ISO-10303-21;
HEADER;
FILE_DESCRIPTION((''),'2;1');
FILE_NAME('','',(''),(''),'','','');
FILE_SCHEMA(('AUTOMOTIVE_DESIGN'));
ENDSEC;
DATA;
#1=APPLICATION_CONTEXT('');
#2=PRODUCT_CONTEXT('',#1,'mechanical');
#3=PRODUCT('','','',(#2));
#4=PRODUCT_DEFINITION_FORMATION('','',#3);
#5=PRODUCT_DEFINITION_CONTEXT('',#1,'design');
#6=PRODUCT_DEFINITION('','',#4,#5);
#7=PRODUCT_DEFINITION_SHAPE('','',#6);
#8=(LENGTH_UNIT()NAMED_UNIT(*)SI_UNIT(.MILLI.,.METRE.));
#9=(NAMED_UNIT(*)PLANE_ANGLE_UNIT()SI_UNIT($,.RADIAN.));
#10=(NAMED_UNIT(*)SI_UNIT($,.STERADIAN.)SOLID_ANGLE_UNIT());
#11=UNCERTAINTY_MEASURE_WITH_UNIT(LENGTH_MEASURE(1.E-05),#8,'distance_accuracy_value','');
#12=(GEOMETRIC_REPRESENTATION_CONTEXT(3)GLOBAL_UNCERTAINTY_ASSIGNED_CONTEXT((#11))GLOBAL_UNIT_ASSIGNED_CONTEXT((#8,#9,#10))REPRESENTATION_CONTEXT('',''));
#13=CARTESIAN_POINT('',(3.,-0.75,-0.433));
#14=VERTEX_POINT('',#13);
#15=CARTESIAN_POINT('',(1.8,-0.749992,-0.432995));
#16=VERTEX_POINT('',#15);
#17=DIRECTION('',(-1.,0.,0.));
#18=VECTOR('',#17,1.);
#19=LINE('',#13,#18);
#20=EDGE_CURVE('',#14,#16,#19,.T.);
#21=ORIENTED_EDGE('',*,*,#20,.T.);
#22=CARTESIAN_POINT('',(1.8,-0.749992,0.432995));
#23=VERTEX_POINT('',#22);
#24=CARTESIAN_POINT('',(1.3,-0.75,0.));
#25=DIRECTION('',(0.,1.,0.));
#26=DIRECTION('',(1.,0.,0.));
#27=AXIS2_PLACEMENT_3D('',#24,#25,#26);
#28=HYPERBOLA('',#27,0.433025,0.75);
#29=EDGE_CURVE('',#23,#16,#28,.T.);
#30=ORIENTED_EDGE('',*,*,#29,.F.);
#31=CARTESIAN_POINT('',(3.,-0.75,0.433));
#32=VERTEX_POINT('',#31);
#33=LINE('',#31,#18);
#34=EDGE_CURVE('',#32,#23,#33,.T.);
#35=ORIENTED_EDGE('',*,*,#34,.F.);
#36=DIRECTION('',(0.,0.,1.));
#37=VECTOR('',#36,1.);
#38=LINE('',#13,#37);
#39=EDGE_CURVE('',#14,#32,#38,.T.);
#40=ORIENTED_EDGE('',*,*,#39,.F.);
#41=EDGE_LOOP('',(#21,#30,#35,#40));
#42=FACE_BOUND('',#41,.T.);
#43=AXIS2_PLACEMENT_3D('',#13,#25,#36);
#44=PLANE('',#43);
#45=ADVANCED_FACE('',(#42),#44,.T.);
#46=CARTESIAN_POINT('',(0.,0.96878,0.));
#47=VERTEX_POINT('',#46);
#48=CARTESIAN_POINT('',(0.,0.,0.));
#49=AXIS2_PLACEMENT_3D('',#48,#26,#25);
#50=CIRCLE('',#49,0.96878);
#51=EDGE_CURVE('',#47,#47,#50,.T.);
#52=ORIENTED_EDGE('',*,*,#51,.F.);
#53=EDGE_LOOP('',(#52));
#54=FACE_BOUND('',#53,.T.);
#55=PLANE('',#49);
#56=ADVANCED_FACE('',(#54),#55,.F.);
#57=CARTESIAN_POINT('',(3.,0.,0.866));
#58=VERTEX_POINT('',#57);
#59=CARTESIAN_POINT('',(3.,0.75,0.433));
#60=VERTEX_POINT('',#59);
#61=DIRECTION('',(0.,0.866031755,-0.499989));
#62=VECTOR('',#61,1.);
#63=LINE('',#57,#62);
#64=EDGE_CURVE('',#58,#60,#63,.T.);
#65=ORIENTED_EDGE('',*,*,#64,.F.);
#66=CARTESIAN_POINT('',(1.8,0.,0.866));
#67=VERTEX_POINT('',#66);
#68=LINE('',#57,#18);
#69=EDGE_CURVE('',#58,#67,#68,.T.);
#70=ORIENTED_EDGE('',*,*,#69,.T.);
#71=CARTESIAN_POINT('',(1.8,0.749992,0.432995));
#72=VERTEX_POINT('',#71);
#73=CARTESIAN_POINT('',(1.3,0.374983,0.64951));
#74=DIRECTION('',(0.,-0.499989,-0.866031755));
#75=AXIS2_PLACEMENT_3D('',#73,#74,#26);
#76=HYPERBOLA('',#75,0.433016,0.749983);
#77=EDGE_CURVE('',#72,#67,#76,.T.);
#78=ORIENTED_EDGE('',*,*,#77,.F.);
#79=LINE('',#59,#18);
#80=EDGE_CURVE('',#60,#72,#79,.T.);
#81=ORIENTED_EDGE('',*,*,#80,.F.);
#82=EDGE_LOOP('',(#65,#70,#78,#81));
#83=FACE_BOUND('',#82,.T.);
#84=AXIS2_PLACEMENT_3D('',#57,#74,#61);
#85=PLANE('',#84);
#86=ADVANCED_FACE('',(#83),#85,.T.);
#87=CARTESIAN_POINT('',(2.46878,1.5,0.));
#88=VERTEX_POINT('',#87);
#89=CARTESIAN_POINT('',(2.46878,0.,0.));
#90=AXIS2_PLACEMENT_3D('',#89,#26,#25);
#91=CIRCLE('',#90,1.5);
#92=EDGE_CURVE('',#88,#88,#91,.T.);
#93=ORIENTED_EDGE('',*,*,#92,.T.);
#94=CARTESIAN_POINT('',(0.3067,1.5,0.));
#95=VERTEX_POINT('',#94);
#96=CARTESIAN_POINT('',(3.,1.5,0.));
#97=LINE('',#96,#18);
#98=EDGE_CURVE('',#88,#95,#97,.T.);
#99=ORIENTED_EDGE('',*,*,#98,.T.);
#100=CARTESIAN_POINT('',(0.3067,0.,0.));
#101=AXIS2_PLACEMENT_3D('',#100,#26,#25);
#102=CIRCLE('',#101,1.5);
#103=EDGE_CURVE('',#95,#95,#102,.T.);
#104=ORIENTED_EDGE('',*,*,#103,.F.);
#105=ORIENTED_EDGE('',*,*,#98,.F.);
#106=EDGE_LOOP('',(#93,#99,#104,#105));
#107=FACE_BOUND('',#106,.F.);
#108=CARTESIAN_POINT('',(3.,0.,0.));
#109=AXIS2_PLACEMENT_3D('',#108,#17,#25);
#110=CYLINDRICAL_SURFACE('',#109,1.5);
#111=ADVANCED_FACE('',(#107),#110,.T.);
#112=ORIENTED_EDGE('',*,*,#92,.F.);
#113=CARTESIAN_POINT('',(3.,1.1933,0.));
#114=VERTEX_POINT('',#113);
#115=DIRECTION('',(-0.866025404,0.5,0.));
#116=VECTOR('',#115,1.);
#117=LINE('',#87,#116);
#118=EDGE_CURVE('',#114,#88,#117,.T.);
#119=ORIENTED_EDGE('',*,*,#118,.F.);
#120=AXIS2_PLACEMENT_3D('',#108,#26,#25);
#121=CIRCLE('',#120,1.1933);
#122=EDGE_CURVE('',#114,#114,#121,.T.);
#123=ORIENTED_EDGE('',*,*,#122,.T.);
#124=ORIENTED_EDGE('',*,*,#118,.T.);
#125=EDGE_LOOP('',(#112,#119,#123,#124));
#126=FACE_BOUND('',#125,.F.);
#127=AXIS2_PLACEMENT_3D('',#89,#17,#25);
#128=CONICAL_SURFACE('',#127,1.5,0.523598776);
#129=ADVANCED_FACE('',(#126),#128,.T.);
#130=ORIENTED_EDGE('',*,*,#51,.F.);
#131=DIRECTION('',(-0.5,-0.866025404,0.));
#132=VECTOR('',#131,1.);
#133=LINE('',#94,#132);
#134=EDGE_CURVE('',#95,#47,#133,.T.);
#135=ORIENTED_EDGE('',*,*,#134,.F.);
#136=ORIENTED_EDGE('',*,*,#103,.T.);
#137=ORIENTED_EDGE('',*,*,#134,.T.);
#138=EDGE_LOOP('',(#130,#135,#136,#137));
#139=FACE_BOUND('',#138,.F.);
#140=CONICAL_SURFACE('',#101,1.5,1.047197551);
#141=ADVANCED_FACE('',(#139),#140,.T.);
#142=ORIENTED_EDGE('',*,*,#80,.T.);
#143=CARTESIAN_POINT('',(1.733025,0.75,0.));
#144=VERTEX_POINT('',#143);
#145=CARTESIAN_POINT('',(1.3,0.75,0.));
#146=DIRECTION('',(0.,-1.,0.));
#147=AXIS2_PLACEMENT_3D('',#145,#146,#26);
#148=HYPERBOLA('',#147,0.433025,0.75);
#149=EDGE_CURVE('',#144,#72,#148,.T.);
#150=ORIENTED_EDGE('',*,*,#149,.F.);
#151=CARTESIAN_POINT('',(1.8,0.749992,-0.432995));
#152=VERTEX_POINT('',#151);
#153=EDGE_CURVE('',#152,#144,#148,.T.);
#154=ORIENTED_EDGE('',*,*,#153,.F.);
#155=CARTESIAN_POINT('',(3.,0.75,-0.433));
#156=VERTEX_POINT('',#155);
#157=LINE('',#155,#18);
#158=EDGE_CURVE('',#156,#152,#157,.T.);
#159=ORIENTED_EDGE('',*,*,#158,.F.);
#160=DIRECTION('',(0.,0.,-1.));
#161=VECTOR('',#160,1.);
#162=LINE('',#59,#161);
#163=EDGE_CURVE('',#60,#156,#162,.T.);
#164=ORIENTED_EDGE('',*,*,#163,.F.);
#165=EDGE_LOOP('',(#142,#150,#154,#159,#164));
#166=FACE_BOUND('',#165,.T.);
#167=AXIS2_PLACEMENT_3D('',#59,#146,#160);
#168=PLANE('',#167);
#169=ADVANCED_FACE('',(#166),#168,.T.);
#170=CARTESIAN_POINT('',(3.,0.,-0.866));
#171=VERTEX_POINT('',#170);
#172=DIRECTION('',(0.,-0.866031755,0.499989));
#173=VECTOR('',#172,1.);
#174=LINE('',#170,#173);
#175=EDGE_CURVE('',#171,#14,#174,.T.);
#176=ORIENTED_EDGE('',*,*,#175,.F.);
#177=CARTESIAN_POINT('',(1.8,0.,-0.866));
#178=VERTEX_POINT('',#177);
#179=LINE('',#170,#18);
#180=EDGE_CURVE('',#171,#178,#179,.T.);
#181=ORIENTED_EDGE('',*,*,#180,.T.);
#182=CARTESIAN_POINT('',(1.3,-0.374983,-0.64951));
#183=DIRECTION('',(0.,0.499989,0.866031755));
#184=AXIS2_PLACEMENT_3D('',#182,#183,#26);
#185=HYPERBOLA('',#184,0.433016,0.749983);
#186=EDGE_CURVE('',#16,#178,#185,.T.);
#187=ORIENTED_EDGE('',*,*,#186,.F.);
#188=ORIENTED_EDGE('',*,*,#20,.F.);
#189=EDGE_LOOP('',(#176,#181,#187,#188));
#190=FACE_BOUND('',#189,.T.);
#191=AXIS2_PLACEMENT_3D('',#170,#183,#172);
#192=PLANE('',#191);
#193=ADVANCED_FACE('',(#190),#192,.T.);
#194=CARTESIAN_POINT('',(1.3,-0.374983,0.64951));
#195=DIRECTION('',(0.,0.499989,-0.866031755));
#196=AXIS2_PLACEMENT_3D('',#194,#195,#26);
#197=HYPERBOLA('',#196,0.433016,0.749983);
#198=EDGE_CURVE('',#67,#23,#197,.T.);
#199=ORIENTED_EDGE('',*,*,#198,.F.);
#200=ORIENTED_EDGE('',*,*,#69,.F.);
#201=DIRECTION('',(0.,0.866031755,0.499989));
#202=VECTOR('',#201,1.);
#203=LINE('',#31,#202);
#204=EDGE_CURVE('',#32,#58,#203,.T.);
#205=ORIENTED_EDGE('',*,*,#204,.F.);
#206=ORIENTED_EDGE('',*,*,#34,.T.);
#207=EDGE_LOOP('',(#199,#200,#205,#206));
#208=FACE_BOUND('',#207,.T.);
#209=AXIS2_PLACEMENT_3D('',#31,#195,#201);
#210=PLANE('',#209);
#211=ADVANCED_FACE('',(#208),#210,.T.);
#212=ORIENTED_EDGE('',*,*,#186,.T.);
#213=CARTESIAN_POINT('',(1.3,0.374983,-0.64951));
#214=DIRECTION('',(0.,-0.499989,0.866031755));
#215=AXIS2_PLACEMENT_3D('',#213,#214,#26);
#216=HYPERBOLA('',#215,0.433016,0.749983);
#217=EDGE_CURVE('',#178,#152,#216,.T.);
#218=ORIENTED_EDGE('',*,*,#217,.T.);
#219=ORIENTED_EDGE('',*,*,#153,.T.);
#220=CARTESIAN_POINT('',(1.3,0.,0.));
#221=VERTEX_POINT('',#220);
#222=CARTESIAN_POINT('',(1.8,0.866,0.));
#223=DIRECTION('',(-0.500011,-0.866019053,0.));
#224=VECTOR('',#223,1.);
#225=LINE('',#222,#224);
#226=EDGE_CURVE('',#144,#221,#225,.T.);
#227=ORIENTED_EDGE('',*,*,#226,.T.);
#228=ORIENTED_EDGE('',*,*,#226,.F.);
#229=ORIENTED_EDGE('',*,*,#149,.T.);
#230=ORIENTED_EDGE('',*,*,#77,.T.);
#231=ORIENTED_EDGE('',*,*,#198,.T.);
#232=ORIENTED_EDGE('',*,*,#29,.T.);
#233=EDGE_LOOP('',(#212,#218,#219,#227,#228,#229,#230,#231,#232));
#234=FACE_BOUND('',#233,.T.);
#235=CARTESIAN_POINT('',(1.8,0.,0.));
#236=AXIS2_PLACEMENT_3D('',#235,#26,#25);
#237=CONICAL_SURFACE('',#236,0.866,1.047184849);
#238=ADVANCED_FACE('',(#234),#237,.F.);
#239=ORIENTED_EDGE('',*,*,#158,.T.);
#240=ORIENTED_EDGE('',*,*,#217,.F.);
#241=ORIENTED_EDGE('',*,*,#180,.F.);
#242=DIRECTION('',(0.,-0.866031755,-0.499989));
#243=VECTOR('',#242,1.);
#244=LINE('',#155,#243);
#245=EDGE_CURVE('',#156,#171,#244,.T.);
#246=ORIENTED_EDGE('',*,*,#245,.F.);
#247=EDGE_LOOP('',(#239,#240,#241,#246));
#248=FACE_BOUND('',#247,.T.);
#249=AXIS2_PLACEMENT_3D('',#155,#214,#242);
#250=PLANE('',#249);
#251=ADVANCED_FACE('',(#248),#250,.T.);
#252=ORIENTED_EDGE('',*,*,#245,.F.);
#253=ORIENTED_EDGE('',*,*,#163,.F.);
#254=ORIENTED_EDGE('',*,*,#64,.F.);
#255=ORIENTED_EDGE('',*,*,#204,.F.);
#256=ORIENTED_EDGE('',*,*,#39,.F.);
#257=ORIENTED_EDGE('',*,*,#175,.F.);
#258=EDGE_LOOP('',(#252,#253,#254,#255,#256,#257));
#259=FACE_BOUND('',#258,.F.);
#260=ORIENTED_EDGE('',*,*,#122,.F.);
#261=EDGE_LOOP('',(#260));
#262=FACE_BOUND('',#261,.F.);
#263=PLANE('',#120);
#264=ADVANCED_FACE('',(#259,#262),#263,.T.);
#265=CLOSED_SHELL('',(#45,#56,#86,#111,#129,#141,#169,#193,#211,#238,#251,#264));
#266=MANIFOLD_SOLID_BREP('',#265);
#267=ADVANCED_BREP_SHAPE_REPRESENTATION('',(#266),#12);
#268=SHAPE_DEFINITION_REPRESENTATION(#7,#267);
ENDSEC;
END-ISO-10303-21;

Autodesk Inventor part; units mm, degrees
ref_plane "YZ Plane" through (0, 0, 0) normal (1, 0, 0) x (0, 1, 0)
ref_plane "XZ Plane" through (0, 0, 0) normal (0, 1, 0) x (-1, 0, 0)
sketch "Sketch1" plane through (0, 0, 0) normal (0, 0, 1) x (1, 0, 0)
  line L0 (0, 0) -> (1.3, 0)
  line L1 (3, 0.866) -> (3, 1.5)
  line L2 (3, 1.5) -> (0, 1.5)
  line L3 (3, 0.866) -> (1.8, 0.866)
  line L4 (1.8, 0.866) -> (1.3, 0)
  line L5 (0, -0.3) -> (0, 1.8) projected
  line L6 (0, 1.5) -> (0, 0)
  dimension "d0" = 1.2
  dimension "d1" = 60
  dimension "d2" = 3
  dimension "d3" = 1.7321
  dimension "d5" = 3
revolve "Body" add sketch "Sketch1" angle 360 about axis through (0, 0, 0) along (1, 0, 0)
chamfer "Chamfer1" distance 0.3067 angle 60 1 edges at (3, -1.5, 0) measured on face at (3, 1.2741, -0.1197)
sketch "Sketch2" plane through (3, 0, 0) normal (1, 0, 0) x (0, 0, -1)
  circle A0 centre (0, 0) radius 0.866 projected
  line L0 (-0.433, 0.75) -> (0.433, 0.75)
  line L1 (0.433, 0.75) -> (0.866, 0)
  line L2 (0.866, 0) -> (0.433, -0.75)
  line L3 (0.433, -0.75) -> (-0.433, -0.75)
  line L4 (-0.433, -0.75) -> (-0.866, 0)
  line L5 (-0.866, 0) -> (-0.433, 0.75)
  point P0 (0, 0)
  point P1 (0, 0)
extrude "Slot" add sketch "Sketch2" against normal up to next contours L1 A0 | A0 L2 | L0 A0 | A0 L3 | L5 A0 | A0 L4
thread "Thread" size "M3x0.5" class "6g" standard "ISO Metric profile" length 3
chamfer "Chamfer2" distance 0.3067 angle 60 1 edges at (0, -1.5, 0) measured on face at (0.8229, 1.4951, -0.1207)
ref_plane "Work Plane1" through (1.5, 0, 0) normal (0, 0.5, 0.866) x (1, 0, 0)
equation "\"d0\" = INTI"
equation "\"d2\" = NND"
equation "\"d3\" = 1.1547 * SW"
equation "\"d5\" = NLG"
equation "\"d7\" = -0.5 * GD1 + 0.5 * NND"
equation "\"d8\" = FAWI"
equation "\"d29\" = -0.5 * GD1 + 0.5 * NND"
equation "\"d11\" = NLG"
equation "\"d13\" = -0.5 * GD1 + 0.5 * NND"
equation "\"d14\" = FAWI"
equation "\"d30\" = -0.5 * GD1 + 0.5 * NND"
equation "\"NND\" = 3"
equation "\"NLG\" = 3"
equation "\"INTI\" = 1.2"
equation "\"FAWI\" = 60deg"
equation "\"SW\" = 1.5"
equation "\"GD1\" = THREADDIA - 1.2269 * PTC"
equation "\"FAWI1\" = 45deg"
equation "\"GUL\" = 0.61345 * PTC"
equation "\"SPD\" = 2"
equation "\"SEWI\" = 120deg"
equation "\"TOA\" = 30deg"
equation "\"THREADDIA\" = 3"
equation "\"PTC\" = 0.5"
equation "\"GAL\" = 0.61345 * PTC"
equation "\"E0\" = 1.155 * SW"
properties part number "Grub Screw 3x3mm" material "Stainless Steel, 440C"
